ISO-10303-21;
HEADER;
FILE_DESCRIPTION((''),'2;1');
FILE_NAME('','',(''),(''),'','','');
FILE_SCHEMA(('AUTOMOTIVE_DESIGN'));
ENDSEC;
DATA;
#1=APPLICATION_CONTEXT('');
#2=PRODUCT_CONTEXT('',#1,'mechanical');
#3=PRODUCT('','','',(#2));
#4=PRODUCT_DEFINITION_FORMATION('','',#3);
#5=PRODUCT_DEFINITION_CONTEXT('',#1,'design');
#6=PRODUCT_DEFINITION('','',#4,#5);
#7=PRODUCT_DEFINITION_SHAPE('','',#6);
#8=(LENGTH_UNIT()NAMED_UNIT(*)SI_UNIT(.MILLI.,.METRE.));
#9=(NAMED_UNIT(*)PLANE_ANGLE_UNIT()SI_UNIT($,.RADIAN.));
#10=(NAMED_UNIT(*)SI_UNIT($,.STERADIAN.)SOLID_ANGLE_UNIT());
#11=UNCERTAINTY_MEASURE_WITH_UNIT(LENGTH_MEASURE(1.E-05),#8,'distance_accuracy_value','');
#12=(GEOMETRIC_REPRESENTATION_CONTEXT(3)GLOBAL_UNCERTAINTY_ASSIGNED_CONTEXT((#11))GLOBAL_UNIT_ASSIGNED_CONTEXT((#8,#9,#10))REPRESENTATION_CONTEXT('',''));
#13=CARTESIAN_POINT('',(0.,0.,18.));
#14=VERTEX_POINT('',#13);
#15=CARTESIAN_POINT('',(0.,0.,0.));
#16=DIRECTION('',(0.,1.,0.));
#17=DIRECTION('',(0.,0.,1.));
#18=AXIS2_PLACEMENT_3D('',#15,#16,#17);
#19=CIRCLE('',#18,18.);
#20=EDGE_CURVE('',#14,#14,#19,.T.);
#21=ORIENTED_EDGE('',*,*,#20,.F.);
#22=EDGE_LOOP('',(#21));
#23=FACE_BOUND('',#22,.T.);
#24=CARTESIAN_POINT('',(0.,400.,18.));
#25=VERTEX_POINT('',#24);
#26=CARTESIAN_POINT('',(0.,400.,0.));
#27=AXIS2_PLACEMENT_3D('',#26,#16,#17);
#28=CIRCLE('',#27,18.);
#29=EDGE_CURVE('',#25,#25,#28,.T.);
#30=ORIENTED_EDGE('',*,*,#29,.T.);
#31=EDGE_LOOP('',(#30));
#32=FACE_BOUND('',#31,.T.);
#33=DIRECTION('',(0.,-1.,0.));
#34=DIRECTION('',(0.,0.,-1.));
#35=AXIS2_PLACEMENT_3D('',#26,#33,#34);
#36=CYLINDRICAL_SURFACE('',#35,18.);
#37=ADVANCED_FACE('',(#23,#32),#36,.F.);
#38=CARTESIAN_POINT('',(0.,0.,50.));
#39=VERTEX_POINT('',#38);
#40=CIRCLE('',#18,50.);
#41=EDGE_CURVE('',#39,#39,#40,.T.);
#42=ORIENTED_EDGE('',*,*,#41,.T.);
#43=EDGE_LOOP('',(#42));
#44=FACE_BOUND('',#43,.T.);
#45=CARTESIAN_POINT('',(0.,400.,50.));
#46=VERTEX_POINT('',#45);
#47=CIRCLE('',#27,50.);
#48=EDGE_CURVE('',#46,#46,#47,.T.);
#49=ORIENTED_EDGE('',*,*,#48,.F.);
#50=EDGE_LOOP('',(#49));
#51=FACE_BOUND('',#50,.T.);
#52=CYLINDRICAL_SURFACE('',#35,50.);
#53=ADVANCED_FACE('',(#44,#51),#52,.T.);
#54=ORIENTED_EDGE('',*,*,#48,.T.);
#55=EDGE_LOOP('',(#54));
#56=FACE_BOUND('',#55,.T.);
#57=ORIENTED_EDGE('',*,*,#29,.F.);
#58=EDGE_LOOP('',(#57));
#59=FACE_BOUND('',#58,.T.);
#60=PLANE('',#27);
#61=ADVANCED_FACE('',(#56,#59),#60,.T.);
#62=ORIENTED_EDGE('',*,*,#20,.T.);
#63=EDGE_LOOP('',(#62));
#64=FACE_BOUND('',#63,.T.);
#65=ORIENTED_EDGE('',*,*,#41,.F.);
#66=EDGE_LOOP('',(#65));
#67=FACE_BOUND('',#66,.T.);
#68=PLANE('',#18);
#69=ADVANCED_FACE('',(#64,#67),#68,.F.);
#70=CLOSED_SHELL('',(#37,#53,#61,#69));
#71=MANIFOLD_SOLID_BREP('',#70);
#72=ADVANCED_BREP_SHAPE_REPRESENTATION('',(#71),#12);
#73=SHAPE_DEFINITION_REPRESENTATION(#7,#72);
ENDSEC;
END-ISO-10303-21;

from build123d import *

# Parameters (mm, degrees)
SKETCH_1_R      = 50
SKETCH_1_R_2    = 18
EXTRUDE_1_DEPTH = 400


with BuildPart() as part:
    # 草图1 → 凸台-拉伸1 (new body)
    with BuildSketch(Plane(origin=(0, 0, 0), x_dir=(1, 0, 0), z_dir=(0, 1, 0))):
        with Locations(Location((0, 0, 0), (0, 0, 270))):
            Circle(SKETCH_1_R)
        with Locations(Location((0, 0, 0), (0, 0, 270))):
            Circle(SKETCH_1_R_2, mode=Mode.SUBTRACT)
    extrude(amount=EXTRUDE_1_DEPTH)


solid = part.part
